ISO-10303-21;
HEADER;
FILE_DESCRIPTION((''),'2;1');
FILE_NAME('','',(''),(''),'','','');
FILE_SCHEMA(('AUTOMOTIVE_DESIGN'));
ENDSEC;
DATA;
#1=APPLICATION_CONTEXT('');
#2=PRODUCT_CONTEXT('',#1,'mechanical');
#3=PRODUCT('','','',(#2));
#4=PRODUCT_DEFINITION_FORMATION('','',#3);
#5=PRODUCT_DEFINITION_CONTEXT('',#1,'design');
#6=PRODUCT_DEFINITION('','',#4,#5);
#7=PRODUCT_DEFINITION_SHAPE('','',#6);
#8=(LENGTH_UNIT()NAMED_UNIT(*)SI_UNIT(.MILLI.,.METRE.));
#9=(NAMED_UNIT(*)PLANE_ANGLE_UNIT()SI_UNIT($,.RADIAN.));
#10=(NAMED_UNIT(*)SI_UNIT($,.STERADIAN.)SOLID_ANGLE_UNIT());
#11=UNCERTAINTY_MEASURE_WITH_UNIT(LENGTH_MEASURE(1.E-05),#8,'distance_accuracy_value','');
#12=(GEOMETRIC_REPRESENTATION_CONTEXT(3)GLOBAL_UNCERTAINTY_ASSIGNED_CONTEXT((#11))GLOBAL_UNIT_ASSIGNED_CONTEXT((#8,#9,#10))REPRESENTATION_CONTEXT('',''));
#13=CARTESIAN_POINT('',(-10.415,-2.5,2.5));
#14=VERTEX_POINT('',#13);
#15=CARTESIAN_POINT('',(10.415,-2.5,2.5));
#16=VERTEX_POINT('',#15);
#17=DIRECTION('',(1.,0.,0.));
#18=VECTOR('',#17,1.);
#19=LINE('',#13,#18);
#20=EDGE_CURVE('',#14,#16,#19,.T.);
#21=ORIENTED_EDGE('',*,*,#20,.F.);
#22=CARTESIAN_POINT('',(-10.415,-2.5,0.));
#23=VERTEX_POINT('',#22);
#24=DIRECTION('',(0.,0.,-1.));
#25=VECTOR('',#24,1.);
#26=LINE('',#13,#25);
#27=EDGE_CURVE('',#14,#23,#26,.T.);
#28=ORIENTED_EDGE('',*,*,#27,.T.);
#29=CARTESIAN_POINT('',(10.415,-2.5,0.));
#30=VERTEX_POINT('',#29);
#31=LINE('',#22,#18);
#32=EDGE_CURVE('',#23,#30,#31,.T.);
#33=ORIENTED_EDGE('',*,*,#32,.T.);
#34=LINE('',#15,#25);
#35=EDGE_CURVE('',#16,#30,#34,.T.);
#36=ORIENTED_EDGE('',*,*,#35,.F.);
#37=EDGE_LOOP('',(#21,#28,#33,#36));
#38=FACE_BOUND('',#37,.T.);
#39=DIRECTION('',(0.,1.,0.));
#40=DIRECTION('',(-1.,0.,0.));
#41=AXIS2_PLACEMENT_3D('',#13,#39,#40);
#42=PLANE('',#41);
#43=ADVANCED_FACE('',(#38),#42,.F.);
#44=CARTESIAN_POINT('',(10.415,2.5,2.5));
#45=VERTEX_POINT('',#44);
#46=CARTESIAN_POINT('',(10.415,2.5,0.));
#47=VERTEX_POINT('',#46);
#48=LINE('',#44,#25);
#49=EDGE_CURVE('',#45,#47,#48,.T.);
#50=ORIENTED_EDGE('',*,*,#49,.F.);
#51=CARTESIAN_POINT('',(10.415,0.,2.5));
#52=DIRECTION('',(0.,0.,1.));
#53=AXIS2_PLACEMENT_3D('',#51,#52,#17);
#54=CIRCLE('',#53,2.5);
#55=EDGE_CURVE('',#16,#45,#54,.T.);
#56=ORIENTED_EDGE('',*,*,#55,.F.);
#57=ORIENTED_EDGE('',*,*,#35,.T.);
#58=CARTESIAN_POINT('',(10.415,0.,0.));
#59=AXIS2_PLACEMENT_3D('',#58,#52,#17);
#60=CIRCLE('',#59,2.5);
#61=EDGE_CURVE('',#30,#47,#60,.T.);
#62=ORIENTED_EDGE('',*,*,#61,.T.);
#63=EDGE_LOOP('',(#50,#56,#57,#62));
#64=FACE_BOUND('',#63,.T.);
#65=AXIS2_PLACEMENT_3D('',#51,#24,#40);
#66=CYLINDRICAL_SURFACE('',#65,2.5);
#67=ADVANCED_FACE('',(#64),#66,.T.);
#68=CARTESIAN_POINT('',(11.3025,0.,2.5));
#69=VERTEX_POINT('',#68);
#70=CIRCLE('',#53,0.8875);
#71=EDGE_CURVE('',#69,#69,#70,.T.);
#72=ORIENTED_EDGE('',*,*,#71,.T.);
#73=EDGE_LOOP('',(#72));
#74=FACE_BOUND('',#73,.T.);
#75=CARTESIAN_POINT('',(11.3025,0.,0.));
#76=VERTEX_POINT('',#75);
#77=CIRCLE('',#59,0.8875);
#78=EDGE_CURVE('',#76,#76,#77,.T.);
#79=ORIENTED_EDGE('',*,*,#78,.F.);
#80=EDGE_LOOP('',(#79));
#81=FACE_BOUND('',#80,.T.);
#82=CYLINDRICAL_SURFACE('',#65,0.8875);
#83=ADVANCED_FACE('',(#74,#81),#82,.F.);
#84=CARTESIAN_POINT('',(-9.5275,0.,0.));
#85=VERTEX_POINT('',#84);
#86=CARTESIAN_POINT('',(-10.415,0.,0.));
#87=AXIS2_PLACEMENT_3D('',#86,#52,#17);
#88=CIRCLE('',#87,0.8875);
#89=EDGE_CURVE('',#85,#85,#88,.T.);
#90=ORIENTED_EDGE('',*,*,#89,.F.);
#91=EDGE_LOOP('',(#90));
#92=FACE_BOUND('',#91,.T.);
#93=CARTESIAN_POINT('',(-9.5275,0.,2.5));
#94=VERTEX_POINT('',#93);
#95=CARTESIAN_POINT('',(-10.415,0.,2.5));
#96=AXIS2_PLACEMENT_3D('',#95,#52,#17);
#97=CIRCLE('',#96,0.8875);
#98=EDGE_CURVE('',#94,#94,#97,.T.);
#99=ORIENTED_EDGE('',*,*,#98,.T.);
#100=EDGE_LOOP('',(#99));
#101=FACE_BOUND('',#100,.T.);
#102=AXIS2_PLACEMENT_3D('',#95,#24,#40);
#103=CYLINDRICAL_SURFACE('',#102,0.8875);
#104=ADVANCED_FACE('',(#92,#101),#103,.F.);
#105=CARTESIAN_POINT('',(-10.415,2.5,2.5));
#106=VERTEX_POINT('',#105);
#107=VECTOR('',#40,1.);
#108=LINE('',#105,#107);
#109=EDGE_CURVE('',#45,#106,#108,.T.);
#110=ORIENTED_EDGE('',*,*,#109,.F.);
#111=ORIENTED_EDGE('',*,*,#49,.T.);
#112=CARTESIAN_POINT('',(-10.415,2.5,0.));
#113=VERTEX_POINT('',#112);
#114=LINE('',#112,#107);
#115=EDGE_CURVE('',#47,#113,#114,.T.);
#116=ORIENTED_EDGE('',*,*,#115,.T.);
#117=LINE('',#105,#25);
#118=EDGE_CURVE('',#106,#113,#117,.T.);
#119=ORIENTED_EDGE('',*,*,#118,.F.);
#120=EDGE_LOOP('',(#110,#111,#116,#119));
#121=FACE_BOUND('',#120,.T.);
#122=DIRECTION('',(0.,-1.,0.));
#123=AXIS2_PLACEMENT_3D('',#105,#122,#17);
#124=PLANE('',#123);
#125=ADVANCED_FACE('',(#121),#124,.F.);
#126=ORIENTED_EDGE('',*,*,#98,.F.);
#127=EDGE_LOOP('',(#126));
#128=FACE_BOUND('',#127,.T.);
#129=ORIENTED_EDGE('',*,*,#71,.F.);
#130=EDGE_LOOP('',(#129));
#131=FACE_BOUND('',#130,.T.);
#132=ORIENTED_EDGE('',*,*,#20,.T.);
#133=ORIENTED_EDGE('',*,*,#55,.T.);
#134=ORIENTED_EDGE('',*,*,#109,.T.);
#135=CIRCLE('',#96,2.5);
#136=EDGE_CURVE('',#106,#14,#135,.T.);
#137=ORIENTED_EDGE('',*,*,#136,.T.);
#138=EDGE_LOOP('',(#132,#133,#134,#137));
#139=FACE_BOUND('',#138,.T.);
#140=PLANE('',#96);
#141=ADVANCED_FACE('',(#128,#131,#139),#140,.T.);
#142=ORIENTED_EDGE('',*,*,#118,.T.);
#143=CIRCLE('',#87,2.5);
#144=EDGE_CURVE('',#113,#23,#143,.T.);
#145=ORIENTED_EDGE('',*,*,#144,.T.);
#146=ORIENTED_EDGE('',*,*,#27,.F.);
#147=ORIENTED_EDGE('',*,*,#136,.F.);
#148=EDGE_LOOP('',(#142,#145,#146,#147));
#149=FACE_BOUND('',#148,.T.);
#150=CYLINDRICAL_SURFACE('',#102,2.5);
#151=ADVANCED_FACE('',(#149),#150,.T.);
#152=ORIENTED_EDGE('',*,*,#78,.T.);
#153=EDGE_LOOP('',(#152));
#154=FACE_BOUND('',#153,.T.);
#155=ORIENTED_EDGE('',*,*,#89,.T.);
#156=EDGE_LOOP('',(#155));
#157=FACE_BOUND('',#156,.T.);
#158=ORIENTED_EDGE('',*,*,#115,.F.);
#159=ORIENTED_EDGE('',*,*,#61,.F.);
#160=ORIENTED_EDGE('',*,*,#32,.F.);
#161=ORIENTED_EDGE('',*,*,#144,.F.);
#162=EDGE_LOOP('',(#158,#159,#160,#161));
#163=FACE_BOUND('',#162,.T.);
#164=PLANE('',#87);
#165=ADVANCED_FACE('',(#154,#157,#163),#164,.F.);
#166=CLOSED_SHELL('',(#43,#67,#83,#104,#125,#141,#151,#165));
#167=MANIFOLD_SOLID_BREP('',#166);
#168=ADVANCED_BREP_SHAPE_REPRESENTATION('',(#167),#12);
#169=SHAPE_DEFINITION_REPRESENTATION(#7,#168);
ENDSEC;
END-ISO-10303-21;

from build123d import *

# Parameters (mm, degrees)
SKETCH1_R           = 0.8875
BOSS_EXTRUDE1_DEPTH = 2.5


with BuildPart() as part:
    # Sketch1 → Boss-Extrude1 (new body)
    with BuildSketch(Plane.XY):
        with BuildLine():
            Line((-10.415, 2.5), (10.415, 2.5))
            ThreePointArc((10.415, 2.5), (12.915, 0), (10.415, -2.5))
            Line((10.415, -2.5), (-10.415, -2.5))
            ThreePointArc((-10.415, -2.5), (-12.915, 0), (-10.415, 2.5))
        make_face()
        with Locations((-10.415, 0)):
            Circle(SKETCH1_R, mode=Mode.SUBTRACT)
        with Locations((10.415, 0)):
            Circle(SKETCH1_R, mode=Mode.SUBTRACT)
    extrude(amount=BOSS_EXTRUDE1_DEPTH)


solid = part.part
